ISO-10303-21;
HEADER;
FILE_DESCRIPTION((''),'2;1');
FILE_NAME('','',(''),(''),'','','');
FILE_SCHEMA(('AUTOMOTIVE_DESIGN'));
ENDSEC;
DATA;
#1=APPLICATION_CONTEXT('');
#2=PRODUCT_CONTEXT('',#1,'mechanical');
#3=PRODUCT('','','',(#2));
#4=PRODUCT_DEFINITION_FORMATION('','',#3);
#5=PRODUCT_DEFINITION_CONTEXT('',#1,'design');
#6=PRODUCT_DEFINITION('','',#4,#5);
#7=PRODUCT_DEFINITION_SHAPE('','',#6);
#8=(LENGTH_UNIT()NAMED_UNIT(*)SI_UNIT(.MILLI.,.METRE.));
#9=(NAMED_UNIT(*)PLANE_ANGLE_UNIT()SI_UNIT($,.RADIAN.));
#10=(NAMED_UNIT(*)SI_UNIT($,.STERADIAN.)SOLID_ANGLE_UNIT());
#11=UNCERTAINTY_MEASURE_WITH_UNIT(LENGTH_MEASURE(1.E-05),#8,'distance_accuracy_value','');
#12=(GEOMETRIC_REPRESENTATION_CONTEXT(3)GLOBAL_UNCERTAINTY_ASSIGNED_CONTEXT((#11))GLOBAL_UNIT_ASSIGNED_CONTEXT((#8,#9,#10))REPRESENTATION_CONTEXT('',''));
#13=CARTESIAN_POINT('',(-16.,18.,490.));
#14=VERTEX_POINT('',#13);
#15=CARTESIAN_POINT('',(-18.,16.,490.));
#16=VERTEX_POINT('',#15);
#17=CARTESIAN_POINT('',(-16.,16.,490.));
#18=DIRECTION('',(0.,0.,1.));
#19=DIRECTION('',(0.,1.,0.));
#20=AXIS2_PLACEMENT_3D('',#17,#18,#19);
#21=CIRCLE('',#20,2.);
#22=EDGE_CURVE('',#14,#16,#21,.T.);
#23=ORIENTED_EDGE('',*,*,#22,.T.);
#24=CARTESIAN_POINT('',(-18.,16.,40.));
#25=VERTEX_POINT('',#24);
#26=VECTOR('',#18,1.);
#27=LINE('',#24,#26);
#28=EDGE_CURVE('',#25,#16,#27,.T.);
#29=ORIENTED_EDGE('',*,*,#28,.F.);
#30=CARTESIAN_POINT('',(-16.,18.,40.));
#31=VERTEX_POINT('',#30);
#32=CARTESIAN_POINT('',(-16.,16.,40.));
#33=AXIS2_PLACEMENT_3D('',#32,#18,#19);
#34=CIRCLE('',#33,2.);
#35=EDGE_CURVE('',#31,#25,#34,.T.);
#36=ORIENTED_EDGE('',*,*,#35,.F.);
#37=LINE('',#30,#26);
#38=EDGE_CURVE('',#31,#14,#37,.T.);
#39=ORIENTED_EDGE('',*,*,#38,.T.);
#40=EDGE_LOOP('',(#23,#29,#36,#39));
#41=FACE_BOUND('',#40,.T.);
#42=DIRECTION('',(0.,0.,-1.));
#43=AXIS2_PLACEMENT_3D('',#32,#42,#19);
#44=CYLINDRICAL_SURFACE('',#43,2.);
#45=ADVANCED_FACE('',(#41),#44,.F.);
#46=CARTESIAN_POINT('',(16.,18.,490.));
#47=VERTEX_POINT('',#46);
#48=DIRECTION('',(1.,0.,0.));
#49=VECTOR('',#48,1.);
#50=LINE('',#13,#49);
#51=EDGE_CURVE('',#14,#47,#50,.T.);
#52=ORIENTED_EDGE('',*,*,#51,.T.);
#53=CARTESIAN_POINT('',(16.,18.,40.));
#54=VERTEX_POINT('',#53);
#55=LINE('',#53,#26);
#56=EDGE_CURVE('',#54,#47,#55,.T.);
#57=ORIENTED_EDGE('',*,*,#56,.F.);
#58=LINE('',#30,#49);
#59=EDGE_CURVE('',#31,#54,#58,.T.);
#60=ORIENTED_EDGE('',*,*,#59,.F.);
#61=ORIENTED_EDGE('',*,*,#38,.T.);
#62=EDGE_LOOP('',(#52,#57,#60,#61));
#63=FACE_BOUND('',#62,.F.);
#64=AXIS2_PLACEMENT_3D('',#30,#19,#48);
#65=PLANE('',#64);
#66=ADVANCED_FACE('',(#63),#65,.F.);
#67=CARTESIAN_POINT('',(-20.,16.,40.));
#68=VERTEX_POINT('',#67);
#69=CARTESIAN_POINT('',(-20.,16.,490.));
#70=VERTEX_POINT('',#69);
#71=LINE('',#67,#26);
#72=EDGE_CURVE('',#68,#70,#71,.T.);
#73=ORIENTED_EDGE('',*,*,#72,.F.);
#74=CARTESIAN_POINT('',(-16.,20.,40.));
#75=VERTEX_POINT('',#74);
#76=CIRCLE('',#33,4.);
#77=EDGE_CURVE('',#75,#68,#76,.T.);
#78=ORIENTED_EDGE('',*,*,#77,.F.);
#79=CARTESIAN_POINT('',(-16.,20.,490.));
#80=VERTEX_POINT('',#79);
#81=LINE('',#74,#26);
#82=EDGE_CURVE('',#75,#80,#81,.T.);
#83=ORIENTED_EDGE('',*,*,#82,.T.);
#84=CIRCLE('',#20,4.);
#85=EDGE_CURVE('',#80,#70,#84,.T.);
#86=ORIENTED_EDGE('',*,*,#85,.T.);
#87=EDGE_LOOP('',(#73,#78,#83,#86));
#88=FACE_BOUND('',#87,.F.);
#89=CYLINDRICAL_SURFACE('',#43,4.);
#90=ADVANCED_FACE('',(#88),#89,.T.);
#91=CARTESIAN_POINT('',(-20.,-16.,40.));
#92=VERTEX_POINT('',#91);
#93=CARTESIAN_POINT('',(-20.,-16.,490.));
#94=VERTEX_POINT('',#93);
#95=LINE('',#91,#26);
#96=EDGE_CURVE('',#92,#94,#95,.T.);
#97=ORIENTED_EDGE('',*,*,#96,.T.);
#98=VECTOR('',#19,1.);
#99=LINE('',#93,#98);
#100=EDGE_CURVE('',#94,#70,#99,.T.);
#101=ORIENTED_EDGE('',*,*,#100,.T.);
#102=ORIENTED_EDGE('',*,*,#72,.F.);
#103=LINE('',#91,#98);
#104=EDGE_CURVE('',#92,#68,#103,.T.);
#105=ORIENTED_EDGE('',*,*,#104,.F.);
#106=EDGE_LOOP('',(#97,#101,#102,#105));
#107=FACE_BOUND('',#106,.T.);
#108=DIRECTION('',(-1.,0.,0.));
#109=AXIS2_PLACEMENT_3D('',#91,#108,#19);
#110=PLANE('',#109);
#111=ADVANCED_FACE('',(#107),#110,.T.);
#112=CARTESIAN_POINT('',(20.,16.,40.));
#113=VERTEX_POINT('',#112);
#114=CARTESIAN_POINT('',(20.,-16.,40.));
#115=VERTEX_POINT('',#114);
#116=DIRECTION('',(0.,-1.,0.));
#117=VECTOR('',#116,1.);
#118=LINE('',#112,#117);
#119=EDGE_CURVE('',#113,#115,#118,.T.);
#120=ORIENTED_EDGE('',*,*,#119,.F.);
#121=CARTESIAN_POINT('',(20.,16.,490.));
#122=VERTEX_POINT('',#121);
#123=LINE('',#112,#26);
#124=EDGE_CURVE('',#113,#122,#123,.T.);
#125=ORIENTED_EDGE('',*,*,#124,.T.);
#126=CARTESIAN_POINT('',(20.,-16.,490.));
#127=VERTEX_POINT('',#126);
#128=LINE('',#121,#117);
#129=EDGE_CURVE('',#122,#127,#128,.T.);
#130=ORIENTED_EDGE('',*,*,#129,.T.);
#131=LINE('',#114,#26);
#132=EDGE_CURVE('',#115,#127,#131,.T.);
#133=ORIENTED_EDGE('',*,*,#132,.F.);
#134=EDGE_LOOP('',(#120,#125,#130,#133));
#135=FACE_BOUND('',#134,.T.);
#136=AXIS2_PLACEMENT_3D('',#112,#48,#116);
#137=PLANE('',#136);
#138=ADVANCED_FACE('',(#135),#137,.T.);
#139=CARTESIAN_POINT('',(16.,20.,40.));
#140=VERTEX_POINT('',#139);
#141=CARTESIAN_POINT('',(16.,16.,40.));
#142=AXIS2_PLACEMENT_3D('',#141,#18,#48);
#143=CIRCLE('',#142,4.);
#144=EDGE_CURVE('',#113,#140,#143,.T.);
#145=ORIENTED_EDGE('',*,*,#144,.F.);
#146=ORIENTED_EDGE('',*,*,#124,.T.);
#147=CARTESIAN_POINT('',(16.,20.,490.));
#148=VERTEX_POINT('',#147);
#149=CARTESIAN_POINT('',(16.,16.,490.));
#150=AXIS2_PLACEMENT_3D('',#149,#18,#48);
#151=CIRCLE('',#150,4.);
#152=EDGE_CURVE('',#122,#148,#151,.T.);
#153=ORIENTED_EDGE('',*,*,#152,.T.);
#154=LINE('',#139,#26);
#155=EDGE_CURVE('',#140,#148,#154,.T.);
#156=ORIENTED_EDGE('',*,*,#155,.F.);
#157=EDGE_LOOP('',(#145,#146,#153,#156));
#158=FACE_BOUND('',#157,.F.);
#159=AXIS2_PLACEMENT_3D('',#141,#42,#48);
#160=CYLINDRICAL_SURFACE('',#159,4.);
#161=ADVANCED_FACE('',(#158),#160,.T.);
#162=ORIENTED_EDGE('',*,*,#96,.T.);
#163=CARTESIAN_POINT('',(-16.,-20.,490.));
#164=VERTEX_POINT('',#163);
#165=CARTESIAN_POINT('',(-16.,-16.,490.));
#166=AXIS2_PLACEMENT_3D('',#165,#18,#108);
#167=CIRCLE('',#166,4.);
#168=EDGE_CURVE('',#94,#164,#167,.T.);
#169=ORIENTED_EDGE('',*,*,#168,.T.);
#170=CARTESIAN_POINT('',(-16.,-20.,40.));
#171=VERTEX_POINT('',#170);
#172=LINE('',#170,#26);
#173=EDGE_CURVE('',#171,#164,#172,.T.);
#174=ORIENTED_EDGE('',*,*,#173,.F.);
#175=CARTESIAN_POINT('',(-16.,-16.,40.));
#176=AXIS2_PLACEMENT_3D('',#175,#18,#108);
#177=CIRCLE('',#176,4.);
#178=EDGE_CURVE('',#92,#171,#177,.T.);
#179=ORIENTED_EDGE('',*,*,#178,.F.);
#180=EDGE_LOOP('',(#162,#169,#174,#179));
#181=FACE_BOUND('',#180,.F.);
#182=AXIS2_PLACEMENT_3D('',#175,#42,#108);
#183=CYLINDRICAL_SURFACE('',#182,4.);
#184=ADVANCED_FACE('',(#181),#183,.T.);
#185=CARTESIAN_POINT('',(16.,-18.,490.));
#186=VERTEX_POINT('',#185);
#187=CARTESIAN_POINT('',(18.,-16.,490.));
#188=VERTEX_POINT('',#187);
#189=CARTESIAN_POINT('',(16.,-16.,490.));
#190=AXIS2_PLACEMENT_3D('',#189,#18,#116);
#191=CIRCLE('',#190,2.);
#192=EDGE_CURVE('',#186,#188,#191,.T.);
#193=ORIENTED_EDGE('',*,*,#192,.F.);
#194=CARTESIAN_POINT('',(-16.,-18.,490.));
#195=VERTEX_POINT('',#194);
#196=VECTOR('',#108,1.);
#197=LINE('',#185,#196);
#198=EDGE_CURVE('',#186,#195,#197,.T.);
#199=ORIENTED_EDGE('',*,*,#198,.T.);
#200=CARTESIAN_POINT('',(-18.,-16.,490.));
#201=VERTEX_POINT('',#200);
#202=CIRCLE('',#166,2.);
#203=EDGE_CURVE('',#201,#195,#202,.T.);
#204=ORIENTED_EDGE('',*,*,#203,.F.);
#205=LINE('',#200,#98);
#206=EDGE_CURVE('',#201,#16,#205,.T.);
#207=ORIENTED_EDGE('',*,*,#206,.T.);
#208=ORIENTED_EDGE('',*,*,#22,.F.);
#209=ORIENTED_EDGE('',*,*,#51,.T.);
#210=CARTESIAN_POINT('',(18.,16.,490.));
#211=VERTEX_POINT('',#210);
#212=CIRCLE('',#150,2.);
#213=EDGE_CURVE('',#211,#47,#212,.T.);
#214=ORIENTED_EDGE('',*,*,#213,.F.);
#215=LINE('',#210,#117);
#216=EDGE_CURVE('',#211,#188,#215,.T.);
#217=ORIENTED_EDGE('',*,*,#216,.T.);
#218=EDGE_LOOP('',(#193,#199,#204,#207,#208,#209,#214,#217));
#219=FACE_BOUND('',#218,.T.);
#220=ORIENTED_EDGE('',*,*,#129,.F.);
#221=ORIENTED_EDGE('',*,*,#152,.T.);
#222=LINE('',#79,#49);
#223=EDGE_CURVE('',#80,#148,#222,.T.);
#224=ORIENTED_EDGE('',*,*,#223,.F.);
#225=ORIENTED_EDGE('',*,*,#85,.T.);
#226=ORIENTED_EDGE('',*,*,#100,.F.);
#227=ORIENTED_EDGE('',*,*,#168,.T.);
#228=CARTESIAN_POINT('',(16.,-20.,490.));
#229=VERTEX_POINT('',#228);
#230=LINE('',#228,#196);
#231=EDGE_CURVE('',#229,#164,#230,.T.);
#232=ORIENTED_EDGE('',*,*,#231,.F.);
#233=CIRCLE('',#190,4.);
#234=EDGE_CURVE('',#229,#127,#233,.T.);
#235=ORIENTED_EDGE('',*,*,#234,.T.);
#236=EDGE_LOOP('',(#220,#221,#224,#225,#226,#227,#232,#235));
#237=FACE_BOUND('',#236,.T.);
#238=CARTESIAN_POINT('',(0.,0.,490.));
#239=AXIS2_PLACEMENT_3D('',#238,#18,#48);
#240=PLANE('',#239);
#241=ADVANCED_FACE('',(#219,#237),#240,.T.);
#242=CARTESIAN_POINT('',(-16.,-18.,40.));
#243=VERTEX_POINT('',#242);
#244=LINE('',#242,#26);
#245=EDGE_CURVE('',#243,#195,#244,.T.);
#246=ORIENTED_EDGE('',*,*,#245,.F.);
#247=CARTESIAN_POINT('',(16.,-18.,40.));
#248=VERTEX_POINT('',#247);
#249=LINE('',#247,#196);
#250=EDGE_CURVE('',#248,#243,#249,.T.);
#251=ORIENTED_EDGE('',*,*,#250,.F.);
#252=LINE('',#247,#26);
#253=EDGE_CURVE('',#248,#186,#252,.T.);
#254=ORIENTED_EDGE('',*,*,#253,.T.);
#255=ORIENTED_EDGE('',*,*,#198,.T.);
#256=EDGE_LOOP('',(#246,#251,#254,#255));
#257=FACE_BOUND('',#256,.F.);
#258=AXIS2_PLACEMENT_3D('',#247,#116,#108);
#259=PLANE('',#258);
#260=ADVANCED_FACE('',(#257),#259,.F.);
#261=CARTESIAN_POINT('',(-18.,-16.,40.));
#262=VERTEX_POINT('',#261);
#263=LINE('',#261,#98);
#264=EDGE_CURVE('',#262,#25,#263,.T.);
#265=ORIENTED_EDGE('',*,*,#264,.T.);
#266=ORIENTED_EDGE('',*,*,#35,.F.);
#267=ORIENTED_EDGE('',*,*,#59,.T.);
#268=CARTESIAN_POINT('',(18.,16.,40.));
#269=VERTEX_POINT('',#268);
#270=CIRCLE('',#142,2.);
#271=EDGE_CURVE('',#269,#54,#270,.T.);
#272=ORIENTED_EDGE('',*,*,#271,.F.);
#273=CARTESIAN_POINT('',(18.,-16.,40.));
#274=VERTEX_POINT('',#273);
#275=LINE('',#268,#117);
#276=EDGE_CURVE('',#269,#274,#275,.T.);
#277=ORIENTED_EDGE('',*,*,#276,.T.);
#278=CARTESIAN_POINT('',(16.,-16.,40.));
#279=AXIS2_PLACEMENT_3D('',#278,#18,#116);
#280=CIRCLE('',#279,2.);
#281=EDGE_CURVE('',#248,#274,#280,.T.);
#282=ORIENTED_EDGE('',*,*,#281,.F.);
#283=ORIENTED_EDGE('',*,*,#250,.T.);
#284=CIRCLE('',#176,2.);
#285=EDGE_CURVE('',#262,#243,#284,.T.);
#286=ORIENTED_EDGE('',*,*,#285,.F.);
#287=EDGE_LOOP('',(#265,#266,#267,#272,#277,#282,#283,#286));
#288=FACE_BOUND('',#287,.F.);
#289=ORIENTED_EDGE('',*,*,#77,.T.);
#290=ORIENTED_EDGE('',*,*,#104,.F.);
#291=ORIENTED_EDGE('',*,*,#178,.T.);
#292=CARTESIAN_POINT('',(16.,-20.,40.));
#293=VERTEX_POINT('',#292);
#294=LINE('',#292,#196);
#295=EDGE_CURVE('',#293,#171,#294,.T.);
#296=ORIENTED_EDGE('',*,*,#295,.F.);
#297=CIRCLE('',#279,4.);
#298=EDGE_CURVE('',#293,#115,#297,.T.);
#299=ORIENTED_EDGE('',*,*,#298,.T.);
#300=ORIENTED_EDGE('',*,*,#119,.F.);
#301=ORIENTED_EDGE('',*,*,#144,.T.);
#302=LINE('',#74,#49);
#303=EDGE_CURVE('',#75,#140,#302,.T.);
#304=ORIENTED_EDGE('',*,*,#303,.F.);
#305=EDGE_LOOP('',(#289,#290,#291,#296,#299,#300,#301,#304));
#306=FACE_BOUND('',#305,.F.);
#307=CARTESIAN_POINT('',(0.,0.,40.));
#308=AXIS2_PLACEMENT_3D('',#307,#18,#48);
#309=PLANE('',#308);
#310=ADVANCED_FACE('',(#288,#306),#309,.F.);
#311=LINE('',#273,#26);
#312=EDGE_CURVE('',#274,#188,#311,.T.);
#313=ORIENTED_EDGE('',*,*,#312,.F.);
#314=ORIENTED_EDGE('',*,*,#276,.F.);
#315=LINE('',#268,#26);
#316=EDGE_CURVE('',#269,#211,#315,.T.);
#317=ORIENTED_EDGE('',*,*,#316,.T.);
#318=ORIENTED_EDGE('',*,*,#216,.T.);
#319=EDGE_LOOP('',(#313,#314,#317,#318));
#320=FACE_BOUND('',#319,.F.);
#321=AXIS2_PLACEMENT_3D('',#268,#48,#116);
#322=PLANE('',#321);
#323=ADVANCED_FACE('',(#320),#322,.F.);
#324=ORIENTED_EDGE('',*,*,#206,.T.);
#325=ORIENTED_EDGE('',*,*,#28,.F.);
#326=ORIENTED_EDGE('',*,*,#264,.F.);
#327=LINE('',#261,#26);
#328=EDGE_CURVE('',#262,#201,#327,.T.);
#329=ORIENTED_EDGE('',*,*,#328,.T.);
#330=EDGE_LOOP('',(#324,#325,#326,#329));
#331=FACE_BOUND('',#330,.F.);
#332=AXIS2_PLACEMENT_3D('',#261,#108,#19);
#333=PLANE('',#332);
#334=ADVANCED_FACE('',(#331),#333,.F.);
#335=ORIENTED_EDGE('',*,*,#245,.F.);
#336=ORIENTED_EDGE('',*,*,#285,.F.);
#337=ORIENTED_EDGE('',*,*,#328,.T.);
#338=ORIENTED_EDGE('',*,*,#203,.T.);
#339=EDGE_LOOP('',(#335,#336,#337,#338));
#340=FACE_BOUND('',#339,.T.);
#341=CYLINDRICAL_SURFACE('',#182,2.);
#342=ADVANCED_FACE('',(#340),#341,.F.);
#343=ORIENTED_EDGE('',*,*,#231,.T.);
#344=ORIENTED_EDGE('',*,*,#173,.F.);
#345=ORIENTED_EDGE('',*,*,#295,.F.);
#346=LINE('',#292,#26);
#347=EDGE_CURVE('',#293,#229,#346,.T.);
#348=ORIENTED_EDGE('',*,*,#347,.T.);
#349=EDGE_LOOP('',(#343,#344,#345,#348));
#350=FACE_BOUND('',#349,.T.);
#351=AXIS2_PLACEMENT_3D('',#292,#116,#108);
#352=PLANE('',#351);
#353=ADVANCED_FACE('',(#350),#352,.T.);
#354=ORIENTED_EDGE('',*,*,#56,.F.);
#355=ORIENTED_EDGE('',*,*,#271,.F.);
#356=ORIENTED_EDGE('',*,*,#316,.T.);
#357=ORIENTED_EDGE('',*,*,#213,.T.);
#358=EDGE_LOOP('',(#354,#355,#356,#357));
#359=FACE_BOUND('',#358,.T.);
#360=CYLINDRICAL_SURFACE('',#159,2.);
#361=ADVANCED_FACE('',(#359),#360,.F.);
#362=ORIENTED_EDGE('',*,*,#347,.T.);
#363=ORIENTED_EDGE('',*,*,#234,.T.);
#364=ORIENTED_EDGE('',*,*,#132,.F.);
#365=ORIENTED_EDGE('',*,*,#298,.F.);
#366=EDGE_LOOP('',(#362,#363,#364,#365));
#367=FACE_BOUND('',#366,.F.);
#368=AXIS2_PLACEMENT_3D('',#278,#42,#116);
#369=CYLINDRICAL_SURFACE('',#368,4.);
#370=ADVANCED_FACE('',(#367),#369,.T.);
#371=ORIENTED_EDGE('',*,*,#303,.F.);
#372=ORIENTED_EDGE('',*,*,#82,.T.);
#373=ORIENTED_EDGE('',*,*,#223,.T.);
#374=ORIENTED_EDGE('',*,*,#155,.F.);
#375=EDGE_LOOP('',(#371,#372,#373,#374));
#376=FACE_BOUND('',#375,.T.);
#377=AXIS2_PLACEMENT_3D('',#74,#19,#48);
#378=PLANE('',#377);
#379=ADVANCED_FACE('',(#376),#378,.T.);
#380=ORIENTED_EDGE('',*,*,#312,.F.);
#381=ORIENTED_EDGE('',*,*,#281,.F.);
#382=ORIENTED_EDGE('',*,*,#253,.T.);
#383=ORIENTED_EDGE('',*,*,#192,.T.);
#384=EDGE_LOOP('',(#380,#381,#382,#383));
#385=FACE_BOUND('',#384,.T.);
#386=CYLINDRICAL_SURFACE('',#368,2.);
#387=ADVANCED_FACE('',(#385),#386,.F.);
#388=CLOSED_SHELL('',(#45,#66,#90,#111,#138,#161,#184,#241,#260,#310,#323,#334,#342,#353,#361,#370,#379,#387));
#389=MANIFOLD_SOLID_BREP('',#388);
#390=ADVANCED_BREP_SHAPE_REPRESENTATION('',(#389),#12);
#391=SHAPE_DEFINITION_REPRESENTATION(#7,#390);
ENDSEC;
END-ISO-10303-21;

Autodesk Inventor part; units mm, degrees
ref_plane "YZ Plane" through (0, 0, 0) normal (1, 0, 0) x (0, 1, 0)
ref_plane "Start Plane" through (0, 0, 40) normal (0, 0, 1) x (1, 0, 0)
ref_plane "End Plane" through (0, 0, 490) normal (0, 0, 1) x (1, 0, 0)
sketch "Sketch" plane through (0, 0, 0) normal (0, 0, 1) x (1, 0, 0)
  line L0 (-20, -16) -> (-20, 16)
  line L1 (-16, 20) -> (16, 20)
  line L2 (20, 16) -> (20, -16)
  line L3 (16, -20) -> (-16, -20)
  arc A0 (-20, -16) -> (-16, -20) centre (-16, -16) ccw
  arc A1 (20, 16) -> (16, 20) centre (16, 16) ccw
  arc A2 (-16, 20) -> (-20, 16) centre (-16, 16) ccw
  arc A3 (16, -20) -> (20, -16) centre (16, -16) ccw
  arc A4 (-16, 18) -> (-18, 16) centre (-16, 16) ccw
  line L4 (-16, 18) -> (16, 18)
  arc A5 (18, 16) -> (16, 18) centre (16, 16) ccw
  line L5 (18, 16) -> (18, -16)
  arc A6 (16, -18) -> (18, -16) centre (16, -16) ccw
  line L6 (16, -18) -> (-16, -18)
  arc A7 (-18, -16) -> (-16, -18) centre (-16, -16) ccw
  line L7 (-18, -16) -> (-18, 16)
  line L8 (0, 29.1598) -> (0, -29.1598) construction
  line L9 (-29.1598, 0) -> (29.1598, 0) construction
  dimension "d7" = 4
  dimension "d9" = 40
  dimension "d11" = 40
  dimension "d12" = 2
  dimension "d15" = 20
  dimension "d16" = 20
extrude "Body" add sketch "Sketch" along normal up to surface (450 mm away) from surface at 40
sketch "Sketch3" plane through (0, 0, 0) normal (0, 0, 1) x (1, 0, 0)
  line L0 (0, 0) -> (10, 0)
ref_plane "Work Plane3" through (0, 0, 0) normal (0, -1, 0) x (1, 0, 0)
sketch "Sketch4" plane through (0, 0, 0) normal (0, -1, 0) x (1, 0, 0)
  line L0 (-2, 40) -> (12, 40) projected
  line L1 (-2, 490) -> (12, 490) projected
  dimension "d18" = 450
equation "\"d7\" = G_IR"
equation "\"d9\" = G_W"
equation "\"d11\" = G_H"
equation "\"d12\" = G_T"
equation "\"d15\" = 0.5 * d9"
equation "\"d16\" = 0.5 * d11"
equation "\"d3\" = G_L"
equation "\"G_W\" = 40"
equation "\"G_H\" = 40"
equation "\"G_T\" = 2"
equation "\"G_IR\" = 4"
equation "\"G_L\" = d18"
properties part number "ISO 4019 - 40x40x2 - 450" material "Steel, Mild"
